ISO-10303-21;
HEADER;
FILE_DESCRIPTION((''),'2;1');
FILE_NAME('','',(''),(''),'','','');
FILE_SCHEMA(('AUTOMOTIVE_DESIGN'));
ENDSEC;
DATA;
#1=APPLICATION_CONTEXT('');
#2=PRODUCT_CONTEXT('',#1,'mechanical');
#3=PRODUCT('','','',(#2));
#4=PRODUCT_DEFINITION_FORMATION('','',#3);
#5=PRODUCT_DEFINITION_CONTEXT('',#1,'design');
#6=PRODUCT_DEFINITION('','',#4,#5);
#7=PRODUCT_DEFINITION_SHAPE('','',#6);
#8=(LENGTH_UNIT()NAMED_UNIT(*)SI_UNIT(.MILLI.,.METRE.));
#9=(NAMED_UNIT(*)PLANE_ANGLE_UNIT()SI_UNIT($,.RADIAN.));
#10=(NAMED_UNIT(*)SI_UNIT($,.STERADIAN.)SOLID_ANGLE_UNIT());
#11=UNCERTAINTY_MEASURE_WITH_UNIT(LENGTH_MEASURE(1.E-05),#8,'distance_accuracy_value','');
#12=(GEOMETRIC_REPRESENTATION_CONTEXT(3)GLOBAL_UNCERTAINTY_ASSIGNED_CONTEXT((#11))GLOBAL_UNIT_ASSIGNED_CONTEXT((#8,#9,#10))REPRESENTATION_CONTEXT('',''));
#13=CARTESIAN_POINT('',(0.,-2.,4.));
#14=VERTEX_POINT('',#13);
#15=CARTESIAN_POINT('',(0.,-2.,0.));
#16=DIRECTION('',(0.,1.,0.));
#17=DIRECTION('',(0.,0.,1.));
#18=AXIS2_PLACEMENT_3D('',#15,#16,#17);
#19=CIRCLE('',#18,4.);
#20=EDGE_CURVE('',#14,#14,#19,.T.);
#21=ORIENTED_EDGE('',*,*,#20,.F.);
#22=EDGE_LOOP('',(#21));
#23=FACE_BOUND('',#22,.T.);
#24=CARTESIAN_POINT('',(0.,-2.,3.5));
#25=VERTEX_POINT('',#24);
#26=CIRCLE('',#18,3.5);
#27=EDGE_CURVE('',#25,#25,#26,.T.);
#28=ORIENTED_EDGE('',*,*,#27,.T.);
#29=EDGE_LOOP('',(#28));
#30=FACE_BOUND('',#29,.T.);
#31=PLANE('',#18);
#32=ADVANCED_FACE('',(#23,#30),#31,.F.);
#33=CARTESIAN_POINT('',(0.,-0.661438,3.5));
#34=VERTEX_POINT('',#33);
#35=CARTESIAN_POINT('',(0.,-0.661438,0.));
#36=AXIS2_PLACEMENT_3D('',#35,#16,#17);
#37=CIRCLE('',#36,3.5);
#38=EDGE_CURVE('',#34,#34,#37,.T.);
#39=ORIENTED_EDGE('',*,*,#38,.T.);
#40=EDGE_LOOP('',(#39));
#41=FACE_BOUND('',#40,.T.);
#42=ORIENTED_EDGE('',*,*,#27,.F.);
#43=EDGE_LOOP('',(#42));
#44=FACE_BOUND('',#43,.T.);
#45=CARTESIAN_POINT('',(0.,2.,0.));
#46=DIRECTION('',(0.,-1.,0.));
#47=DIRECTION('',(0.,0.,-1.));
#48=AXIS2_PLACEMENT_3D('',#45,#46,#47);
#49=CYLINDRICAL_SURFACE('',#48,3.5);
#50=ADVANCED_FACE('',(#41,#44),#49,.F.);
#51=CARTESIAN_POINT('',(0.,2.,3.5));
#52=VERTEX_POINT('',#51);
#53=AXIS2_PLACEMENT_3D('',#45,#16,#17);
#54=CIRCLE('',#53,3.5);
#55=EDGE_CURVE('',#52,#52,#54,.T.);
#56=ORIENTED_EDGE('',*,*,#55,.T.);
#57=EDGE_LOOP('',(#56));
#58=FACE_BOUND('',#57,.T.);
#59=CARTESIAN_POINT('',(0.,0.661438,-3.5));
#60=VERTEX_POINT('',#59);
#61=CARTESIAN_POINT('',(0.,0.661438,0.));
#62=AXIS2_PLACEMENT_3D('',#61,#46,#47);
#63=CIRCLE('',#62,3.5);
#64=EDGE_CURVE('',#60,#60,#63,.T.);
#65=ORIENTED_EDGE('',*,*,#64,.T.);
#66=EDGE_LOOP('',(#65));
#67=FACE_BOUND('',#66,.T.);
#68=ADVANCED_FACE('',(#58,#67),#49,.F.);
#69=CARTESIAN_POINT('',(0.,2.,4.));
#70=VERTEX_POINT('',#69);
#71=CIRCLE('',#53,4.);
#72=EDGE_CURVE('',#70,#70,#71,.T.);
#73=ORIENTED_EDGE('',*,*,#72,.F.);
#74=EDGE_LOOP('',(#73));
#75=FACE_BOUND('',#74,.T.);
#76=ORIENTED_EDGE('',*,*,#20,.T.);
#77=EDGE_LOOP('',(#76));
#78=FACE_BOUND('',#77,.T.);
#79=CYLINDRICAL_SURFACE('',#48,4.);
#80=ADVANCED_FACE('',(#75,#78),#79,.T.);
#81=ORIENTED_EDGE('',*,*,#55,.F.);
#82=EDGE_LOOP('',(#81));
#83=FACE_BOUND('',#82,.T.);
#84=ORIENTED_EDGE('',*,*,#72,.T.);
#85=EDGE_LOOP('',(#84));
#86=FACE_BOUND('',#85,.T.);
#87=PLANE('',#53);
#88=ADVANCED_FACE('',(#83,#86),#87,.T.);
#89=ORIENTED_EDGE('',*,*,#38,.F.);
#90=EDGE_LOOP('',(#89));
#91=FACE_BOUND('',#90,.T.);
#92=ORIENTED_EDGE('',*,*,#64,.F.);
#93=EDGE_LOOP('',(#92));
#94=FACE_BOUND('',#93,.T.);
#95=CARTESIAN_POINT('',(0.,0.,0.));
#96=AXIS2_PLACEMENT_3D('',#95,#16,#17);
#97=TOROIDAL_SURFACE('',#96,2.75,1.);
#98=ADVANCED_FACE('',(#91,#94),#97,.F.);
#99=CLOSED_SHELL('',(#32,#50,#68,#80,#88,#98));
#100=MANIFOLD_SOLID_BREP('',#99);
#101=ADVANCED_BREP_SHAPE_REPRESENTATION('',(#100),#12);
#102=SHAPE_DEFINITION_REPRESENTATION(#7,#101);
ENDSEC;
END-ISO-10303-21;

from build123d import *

# Parameters (mm, degrees)
DIAPROFILES_R         = 4
DIAPROFILES_R_2       = 3.5
DIAPROFILE_DEPTH      = 2
BEARINGPATHPROFILES_R = 1


with BuildPart() as part:
    # DiaProfileS → DiaProfile (new body, symmetric)
    with BuildSketch(Plane(origin=(0, 0, 0), x_dir=(1, 0, 0), z_dir=(0, 1, 0))):
        Circle(DIAPROFILES_R)
        Circle(DIAPROFILES_R_2, mode=Mode.SUBTRACT)
    extrude(amount=DIAPROFILE_DEPTH, both=True)

    # BearingPathProfileS → BearingPathProfile (revolve, cut)
    with BuildSketch(Plane.XY):
        with Locations((2.75, 0)):
            Circle(BEARINGPATHPROFILES_R)
    revolve(axis=Axis((0, 2, 0), (0, -1, 0)), mode=Mode.SUBTRACT)


solid = part.part
